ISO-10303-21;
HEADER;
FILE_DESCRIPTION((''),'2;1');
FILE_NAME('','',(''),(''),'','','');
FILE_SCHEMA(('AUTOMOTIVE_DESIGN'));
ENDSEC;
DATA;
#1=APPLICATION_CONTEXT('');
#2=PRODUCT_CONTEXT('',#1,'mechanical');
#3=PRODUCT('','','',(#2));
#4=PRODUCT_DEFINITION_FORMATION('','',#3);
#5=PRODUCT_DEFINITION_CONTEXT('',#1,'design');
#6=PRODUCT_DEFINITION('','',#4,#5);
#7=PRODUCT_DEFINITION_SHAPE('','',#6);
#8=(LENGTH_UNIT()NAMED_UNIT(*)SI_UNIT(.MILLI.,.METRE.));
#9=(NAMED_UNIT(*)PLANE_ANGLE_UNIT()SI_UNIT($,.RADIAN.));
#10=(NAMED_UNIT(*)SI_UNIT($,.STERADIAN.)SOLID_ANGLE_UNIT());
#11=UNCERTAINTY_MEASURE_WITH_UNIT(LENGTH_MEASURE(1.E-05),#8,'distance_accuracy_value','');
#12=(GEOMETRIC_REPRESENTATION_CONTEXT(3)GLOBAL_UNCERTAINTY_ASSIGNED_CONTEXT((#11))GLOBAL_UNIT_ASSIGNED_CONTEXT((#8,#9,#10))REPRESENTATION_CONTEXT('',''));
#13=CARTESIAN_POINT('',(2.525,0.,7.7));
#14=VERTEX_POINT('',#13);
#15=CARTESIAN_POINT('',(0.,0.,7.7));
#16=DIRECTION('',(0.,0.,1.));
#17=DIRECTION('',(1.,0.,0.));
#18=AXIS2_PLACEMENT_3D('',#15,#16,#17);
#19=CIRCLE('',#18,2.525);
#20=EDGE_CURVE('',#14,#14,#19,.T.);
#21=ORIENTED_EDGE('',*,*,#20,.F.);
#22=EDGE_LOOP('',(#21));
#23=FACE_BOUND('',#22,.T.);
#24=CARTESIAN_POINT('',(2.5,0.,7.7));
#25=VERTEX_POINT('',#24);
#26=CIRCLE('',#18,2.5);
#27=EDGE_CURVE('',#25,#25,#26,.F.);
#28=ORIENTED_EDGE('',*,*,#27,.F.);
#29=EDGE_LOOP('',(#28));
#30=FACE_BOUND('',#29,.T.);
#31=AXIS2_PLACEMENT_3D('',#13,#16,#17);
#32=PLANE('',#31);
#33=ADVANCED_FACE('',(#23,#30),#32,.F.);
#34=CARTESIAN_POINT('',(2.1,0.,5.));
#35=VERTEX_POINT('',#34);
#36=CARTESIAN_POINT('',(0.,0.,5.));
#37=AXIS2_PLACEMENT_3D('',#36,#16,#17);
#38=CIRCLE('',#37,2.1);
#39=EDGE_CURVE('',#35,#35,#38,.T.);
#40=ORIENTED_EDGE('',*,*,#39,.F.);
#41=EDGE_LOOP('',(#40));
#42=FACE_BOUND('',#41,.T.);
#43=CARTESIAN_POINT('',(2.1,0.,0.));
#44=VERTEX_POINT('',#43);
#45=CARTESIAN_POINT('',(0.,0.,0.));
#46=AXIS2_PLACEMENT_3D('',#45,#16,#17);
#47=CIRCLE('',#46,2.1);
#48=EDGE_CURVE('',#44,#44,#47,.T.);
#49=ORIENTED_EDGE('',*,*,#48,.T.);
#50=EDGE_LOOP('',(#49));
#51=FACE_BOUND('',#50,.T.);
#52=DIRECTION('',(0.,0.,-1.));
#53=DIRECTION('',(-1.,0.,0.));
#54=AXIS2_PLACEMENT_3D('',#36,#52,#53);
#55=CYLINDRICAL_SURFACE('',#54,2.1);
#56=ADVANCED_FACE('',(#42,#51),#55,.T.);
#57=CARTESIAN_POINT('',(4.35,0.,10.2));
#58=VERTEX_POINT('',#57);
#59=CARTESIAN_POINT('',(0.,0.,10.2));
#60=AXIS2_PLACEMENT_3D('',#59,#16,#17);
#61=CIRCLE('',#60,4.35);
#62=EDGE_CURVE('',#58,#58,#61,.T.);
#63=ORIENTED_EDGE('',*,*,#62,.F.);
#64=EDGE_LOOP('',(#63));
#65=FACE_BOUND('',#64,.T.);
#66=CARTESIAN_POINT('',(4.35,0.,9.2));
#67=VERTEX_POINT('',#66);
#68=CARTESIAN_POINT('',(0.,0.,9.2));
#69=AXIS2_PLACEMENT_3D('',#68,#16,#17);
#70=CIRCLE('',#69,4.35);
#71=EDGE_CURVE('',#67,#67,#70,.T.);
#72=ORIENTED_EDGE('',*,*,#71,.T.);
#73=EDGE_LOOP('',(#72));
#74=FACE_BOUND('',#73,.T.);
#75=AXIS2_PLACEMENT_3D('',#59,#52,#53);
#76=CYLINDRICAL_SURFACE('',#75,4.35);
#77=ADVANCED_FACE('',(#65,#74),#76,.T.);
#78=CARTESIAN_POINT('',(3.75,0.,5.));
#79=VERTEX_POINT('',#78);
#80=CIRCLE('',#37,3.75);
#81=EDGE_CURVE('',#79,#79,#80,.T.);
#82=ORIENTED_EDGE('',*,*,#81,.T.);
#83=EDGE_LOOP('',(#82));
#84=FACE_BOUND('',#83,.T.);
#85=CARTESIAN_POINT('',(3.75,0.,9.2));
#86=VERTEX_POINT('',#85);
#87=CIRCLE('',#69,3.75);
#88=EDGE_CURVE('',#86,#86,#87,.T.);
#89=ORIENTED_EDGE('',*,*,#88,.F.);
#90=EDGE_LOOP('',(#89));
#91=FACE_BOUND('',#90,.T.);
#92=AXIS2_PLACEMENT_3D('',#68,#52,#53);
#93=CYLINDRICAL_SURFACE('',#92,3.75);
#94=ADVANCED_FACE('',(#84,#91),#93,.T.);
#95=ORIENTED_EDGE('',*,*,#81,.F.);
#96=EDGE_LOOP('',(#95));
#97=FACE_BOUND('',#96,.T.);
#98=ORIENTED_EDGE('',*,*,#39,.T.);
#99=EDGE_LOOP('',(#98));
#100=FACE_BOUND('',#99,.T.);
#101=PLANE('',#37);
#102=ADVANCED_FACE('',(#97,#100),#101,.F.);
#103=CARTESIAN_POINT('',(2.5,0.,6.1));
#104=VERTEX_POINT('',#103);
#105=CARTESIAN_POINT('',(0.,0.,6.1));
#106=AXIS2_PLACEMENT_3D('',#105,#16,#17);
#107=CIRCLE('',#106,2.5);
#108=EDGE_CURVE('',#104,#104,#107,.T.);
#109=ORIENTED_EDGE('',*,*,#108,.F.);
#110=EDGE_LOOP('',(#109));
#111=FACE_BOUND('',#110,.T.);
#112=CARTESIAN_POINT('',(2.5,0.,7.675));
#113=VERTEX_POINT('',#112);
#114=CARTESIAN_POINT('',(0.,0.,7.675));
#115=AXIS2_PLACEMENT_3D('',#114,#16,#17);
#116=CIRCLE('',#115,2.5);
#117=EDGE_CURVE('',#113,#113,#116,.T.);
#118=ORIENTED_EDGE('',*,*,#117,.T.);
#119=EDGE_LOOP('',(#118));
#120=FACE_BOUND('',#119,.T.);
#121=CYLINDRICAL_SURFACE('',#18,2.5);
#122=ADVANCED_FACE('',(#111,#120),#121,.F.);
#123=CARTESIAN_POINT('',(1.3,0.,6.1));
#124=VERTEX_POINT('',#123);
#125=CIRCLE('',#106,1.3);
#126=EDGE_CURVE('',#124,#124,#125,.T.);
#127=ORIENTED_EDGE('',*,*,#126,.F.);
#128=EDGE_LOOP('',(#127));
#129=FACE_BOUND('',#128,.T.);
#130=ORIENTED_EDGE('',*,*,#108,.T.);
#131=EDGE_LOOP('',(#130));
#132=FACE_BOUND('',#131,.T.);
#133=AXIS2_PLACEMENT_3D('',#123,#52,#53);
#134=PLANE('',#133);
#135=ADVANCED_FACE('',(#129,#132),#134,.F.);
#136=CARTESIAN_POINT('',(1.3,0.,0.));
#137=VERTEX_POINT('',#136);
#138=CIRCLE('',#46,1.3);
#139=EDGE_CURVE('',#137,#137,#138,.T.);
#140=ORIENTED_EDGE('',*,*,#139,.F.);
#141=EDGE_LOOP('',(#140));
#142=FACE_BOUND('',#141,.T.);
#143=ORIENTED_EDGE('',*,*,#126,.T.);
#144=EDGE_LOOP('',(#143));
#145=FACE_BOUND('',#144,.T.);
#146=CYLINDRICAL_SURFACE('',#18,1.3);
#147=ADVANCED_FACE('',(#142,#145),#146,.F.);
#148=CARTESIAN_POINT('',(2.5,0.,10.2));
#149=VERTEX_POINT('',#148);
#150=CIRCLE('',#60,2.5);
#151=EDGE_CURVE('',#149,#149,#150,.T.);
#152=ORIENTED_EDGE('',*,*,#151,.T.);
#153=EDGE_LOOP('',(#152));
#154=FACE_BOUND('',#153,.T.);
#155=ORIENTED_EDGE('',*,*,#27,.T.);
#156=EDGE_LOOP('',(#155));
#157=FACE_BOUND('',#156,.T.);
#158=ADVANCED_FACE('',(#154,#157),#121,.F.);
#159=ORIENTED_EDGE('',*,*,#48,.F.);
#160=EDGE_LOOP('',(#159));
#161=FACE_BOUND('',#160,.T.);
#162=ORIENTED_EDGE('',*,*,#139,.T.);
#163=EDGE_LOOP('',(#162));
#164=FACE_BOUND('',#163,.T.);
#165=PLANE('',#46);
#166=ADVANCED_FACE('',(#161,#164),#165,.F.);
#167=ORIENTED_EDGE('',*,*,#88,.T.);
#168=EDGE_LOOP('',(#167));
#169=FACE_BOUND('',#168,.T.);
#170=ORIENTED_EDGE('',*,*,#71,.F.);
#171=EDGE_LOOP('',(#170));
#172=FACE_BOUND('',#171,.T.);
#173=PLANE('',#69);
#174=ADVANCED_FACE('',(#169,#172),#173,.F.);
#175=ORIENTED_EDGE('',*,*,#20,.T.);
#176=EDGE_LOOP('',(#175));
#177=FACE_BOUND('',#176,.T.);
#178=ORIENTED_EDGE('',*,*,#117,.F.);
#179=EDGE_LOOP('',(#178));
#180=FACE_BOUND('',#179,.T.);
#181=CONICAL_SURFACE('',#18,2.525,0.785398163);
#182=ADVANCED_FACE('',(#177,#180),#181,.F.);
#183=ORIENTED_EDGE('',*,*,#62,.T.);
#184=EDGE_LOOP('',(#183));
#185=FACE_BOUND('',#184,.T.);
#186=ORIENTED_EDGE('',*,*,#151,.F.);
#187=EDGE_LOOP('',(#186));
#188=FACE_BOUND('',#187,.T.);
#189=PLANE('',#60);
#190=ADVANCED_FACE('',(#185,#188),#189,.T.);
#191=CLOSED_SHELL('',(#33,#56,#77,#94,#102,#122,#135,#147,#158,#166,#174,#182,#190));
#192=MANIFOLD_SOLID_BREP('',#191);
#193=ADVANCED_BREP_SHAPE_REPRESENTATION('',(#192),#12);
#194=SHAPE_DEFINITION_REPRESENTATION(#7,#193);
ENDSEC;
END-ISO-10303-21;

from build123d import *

# Parameters (mm, degrees)
SKETCH_1_R          = 2.1
EXTRUDE_1_DEPTH     = 5
SKETCH_2_R          = 3.75
EXTRUDE_2_DEPTH     = 4.2
SKETCH_3_R          = 4.35
EXTRUDE_3_DEPTH     = 1
SKETCH_9_R          = 2.5
CUT_EXTRUDE_1_DEPTH = 2.5


with BuildPart() as part:
    # 스케치1 → 보스-돌출1 (new body)
    with BuildSketch(Plane.XY):
        Circle(SKETCH_1_R)
    extrude(amount=EXTRUDE_1_DEPTH)

    # 스케치2 → 보스-돌출2 (add)
    with BuildSketch(Plane.XY.offset(5)):
        Circle(SKETCH_2_R)
    extrude(amount=EXTRUDE_2_DEPTH)

    # 스케치3 → 보스-돌출3 (add)
    with BuildSketch(Plane.XY.offset(9.2)):
        Circle(SKETCH_3_R)
    extrude(amount=EXTRUDE_3_DEPTH)

    # 스케치9 → 컷-돌출1 (cut)
    with BuildSketch(Plane.XY.offset(10.2)):
        Circle(SKETCH_9_R)
    extrude(amount=-CUT_EXTRUDE_1_DEPTH, mode=Mode.SUBTRACT)

    # 스케치13 → M2 남비 머리 나사용 카운터보어2 (revolve, cut)
    with BuildSketch(Plane(origin=(0, 0, 7.7), x_dir=(0, -1, 0), z_dir=(1, 0, 0))):
        Polygon((0, 0), (0, 8.781118805), (1.3, 8), (1.3, 1.6), (2.5, 1.6), (2.5, 0.025), (2.525, 0), align=None)
    revolve(axis=Axis((0, 0, 14.05), (0, 0, -1)), mode=Mode.SUBTRACT)


solid = part.part
